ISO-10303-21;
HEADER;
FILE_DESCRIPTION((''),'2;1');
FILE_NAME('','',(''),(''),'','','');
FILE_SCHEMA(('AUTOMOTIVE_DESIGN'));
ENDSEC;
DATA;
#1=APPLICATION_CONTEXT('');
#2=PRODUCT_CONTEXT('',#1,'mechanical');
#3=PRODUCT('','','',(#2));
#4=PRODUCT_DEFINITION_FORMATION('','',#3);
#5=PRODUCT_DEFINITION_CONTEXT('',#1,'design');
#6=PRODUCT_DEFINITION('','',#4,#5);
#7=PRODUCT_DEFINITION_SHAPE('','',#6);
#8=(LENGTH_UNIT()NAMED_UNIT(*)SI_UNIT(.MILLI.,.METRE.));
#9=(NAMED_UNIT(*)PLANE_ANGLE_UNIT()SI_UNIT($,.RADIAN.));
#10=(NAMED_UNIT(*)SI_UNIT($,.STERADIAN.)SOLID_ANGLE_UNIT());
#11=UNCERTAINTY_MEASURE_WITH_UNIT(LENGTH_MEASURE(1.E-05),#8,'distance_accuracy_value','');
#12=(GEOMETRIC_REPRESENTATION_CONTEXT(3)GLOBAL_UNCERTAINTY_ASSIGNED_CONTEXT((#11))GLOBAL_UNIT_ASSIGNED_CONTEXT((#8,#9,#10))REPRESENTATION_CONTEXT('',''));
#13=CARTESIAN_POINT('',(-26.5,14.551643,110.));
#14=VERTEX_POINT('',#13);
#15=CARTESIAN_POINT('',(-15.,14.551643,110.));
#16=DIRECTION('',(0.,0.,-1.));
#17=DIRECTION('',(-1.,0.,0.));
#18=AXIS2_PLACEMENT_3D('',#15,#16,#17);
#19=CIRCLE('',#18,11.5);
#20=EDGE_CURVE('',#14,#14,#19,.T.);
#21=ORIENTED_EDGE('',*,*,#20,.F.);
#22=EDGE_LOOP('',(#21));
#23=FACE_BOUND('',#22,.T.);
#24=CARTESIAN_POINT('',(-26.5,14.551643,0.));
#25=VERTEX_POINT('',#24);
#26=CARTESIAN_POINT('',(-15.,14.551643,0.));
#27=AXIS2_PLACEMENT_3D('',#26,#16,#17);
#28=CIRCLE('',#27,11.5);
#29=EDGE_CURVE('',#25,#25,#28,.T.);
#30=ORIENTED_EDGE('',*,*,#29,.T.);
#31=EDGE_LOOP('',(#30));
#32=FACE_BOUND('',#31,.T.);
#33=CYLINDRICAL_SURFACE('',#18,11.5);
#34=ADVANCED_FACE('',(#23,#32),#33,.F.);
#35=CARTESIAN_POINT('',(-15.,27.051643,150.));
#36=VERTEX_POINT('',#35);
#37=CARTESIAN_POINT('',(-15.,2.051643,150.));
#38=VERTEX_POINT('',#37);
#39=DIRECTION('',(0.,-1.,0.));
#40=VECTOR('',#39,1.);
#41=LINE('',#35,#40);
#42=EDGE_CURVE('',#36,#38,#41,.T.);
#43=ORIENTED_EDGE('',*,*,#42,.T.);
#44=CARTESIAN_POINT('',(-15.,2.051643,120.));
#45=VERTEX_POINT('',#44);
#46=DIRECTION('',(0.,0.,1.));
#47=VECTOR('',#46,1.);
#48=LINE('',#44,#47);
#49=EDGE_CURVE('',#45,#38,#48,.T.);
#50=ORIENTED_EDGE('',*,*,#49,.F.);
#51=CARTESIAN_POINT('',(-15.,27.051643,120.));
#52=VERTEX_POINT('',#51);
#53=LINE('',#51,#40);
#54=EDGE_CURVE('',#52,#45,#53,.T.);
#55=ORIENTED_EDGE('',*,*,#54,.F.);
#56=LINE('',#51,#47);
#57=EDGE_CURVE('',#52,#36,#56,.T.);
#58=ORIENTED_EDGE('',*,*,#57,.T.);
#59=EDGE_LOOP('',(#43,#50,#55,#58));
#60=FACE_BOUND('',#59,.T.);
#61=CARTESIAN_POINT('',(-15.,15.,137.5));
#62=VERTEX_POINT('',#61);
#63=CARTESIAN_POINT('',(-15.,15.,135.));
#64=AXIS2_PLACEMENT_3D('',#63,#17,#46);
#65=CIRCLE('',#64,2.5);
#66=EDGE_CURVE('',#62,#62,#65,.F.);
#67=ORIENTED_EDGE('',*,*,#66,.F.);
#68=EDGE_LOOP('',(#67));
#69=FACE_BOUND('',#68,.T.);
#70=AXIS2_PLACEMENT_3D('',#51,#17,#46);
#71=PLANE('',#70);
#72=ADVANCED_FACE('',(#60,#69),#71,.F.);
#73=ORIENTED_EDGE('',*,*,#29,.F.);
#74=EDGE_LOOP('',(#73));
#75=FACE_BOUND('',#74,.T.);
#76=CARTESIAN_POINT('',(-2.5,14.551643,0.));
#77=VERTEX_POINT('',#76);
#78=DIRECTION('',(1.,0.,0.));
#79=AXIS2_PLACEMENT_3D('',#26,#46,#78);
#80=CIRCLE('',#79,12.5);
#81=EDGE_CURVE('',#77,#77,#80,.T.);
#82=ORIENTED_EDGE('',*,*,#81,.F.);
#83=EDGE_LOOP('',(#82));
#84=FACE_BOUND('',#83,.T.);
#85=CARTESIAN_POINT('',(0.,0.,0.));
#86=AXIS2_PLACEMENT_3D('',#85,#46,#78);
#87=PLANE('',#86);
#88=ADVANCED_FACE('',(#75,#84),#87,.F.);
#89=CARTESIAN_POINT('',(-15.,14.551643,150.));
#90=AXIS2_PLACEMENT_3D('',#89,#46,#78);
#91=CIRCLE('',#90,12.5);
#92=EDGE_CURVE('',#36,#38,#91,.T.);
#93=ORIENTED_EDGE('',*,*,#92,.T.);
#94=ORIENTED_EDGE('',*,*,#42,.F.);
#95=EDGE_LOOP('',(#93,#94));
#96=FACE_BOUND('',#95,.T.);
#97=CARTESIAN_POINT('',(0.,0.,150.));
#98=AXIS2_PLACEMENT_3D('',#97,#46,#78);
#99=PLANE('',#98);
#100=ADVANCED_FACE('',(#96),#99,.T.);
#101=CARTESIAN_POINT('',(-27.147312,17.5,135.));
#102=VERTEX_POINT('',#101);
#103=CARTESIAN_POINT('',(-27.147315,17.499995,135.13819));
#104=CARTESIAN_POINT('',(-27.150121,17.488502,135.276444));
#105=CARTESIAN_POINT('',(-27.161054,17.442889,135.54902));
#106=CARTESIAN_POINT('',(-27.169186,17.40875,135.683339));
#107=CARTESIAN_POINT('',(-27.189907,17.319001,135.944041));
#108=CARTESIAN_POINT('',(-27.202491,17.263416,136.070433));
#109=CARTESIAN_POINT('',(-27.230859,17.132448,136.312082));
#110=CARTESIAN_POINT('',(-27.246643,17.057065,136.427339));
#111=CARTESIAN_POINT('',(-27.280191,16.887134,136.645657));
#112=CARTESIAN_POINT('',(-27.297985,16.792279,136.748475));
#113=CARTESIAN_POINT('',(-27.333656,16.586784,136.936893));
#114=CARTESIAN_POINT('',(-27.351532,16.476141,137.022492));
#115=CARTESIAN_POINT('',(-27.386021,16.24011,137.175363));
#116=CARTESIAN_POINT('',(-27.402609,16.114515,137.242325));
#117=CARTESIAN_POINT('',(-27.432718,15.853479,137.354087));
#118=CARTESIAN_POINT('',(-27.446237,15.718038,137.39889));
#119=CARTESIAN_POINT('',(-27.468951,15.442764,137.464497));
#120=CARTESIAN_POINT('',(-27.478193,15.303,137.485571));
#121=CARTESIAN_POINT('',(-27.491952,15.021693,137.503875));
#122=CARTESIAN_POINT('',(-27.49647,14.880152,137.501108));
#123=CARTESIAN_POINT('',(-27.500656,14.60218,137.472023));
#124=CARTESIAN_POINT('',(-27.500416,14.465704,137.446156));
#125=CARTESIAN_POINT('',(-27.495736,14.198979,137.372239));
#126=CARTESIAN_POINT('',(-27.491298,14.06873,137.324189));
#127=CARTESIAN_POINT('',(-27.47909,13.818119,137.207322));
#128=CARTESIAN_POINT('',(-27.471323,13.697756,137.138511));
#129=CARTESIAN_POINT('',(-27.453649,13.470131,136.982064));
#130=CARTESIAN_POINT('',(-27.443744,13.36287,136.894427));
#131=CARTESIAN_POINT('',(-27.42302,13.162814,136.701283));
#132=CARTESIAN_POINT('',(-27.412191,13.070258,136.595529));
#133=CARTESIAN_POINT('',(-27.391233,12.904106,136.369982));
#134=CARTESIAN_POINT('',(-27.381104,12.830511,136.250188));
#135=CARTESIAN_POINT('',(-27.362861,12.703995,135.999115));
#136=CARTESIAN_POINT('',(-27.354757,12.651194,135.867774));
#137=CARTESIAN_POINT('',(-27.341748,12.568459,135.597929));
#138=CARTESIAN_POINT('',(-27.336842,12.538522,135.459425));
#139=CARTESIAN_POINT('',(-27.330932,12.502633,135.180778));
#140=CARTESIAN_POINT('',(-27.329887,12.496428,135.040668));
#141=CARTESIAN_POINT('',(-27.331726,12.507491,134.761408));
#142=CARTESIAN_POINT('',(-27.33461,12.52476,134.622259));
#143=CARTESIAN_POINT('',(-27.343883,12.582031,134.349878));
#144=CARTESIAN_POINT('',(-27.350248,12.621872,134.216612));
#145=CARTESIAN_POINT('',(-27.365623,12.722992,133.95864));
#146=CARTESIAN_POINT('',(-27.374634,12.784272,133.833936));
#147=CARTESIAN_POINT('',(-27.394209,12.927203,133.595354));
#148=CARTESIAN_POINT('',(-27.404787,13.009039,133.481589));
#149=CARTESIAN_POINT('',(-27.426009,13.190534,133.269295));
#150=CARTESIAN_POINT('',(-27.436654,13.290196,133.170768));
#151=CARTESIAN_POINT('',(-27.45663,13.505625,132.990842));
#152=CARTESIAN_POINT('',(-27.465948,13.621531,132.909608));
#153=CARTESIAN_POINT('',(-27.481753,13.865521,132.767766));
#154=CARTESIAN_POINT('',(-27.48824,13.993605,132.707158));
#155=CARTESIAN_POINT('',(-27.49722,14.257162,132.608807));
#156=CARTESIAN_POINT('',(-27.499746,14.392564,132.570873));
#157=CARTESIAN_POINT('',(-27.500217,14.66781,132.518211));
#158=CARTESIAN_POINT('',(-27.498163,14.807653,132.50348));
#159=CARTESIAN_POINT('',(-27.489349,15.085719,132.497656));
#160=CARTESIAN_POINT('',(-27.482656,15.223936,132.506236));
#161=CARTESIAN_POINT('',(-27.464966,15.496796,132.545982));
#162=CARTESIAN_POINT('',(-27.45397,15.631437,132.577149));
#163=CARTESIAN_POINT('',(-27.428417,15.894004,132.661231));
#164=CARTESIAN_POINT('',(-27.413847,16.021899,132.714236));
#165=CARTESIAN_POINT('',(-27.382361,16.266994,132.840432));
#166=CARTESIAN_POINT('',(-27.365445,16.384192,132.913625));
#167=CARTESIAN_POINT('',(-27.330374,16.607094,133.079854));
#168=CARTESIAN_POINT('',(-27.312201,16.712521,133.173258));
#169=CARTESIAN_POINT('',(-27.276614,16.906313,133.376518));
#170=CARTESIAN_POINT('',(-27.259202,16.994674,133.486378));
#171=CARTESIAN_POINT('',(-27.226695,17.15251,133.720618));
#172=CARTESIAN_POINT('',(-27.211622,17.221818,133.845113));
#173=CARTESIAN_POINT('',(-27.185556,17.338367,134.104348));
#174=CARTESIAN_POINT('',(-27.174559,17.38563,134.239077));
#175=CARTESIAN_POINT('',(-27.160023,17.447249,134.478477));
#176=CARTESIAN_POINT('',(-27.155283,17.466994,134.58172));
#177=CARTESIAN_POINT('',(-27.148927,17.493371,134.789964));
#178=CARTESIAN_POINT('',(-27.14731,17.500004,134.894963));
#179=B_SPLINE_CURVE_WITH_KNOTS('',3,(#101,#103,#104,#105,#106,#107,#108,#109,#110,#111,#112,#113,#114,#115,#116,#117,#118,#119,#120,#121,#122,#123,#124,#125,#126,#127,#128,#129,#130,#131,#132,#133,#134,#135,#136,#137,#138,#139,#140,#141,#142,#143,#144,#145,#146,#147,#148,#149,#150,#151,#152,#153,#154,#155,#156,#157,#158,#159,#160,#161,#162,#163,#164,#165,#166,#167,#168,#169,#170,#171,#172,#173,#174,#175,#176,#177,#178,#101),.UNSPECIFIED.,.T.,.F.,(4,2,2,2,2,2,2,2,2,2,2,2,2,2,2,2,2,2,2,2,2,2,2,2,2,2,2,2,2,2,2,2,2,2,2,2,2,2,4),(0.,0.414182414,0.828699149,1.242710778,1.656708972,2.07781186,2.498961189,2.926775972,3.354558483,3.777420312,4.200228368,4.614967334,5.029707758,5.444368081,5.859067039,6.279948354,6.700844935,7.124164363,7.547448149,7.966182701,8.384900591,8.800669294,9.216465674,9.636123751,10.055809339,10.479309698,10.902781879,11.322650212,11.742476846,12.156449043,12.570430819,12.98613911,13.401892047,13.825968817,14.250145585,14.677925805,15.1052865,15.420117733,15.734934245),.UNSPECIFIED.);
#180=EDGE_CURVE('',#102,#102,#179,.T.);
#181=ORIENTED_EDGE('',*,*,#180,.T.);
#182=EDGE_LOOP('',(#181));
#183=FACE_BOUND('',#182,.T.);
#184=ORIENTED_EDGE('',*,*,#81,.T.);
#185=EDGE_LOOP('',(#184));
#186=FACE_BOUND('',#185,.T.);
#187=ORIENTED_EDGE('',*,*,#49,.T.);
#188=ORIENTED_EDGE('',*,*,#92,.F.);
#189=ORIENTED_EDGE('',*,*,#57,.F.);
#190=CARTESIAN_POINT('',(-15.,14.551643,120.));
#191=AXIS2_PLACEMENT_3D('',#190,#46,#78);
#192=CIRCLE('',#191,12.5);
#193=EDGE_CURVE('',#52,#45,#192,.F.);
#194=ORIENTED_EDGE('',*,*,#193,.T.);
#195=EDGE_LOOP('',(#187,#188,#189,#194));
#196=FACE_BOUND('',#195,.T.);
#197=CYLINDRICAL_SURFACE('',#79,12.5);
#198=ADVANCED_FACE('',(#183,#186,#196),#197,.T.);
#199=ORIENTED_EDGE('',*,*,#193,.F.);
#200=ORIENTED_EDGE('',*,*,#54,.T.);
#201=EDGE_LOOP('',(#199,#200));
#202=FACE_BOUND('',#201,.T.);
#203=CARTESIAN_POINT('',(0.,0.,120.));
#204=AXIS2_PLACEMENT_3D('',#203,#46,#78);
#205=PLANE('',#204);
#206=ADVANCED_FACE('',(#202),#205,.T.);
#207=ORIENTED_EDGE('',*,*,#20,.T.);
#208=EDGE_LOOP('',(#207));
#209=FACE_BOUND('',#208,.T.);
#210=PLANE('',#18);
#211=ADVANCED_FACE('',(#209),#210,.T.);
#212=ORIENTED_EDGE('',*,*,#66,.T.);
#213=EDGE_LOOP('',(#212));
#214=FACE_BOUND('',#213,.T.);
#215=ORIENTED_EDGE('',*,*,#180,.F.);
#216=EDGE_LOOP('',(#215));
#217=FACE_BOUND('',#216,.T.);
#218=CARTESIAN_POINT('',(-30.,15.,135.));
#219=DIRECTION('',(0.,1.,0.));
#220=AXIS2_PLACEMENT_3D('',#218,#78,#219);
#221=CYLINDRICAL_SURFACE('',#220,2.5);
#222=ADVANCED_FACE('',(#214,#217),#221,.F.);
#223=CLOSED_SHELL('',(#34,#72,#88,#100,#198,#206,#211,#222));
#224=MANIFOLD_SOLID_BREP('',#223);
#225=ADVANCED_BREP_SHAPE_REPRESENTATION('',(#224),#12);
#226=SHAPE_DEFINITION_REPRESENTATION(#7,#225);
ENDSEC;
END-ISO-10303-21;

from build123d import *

# Parameters (mm, degrees)
SKETCH2_W           = 30
SKETCH2_H           = 30
BOSS_EXTRUDE2_DEPTH = 150
SKETCH3_R           = 2.5
CUT_EXTRUDE1_DEPTH  = 30
SKETCH4_OUTSIDE_W   = 63.176
SKETCH4_OUTSIDE_H   = 63.176
SKETCH4_OUTSIDE_R   = 12.5
CUT_EXTRUDE2_DEPTH  = 150
SKETCH5_R           = 11.5
CUT_EXTRUDE3_DEPTH  = 110
SKETCH7_W           = 12.5
SKETCH7_H           = 25
CUT_EXTRUDE4_DEPTH  = 30


with BuildPart() as part:
    # Sketch2 → Boss-Extrude2 (new body)
    with BuildSketch(Plane.XY):
        with Locations((-15, 15)):
            Rectangle(SKETCH2_W, SKETCH2_H)
    extrude(amount=BOSS_EXTRUDE2_DEPTH)

    # Sketch3 → Cut-Extrude1 (cut)
    with BuildSketch(Plane(origin=(0, 0, 0), x_dir=(0, 0, -1), z_dir=(1, 0, 0))):
        with Locations((-135, 15)):
            Circle(SKETCH3_R)
    extrude(amount=-CUT_EXTRUDE1_DEPTH, mode=Mode.SUBTRACT)

    # Sketch4 outside → Cut-Extrude2 (cut)
    with BuildSketch(Plane.XY.offset(150)):
        with Locations((-15, 15)):
            Rectangle(SKETCH4_OUTSIDE_W, SKETCH4_OUTSIDE_H)
        with Locations((-15, 14.551643442)):
            Circle(SKETCH4_OUTSIDE_R, mode=Mode.SUBTRACT)
    extrude(amount=-CUT_EXTRUDE2_DEPTH, mode=Mode.SUBTRACT)

    # Sketch5 → Cut-Extrude3 (cut)
    with BuildSketch(Plane(origin=(0, 0, 0), x_dir=(-1, 0, 0), z_dir=(0, 0, -1))):
        with Locations((15, 14.551643442)):
            Circle(SKETCH5_R)
    extrude(amount=-CUT_EXTRUDE3_DEPTH, mode=Mode.SUBTRACT)

    # Sketch7 → Cut-Extrude4 (cut)
    with BuildSketch(Plane.XY.offset(150)):
        with Locations((-8.75, 14.551643442)):
            Rectangle(SKETCH7_W, SKETCH7_H)
    extrude(amount=-CUT_EXTRUDE4_DEPTH, mode=Mode.SUBTRACT)


solid = part.part
